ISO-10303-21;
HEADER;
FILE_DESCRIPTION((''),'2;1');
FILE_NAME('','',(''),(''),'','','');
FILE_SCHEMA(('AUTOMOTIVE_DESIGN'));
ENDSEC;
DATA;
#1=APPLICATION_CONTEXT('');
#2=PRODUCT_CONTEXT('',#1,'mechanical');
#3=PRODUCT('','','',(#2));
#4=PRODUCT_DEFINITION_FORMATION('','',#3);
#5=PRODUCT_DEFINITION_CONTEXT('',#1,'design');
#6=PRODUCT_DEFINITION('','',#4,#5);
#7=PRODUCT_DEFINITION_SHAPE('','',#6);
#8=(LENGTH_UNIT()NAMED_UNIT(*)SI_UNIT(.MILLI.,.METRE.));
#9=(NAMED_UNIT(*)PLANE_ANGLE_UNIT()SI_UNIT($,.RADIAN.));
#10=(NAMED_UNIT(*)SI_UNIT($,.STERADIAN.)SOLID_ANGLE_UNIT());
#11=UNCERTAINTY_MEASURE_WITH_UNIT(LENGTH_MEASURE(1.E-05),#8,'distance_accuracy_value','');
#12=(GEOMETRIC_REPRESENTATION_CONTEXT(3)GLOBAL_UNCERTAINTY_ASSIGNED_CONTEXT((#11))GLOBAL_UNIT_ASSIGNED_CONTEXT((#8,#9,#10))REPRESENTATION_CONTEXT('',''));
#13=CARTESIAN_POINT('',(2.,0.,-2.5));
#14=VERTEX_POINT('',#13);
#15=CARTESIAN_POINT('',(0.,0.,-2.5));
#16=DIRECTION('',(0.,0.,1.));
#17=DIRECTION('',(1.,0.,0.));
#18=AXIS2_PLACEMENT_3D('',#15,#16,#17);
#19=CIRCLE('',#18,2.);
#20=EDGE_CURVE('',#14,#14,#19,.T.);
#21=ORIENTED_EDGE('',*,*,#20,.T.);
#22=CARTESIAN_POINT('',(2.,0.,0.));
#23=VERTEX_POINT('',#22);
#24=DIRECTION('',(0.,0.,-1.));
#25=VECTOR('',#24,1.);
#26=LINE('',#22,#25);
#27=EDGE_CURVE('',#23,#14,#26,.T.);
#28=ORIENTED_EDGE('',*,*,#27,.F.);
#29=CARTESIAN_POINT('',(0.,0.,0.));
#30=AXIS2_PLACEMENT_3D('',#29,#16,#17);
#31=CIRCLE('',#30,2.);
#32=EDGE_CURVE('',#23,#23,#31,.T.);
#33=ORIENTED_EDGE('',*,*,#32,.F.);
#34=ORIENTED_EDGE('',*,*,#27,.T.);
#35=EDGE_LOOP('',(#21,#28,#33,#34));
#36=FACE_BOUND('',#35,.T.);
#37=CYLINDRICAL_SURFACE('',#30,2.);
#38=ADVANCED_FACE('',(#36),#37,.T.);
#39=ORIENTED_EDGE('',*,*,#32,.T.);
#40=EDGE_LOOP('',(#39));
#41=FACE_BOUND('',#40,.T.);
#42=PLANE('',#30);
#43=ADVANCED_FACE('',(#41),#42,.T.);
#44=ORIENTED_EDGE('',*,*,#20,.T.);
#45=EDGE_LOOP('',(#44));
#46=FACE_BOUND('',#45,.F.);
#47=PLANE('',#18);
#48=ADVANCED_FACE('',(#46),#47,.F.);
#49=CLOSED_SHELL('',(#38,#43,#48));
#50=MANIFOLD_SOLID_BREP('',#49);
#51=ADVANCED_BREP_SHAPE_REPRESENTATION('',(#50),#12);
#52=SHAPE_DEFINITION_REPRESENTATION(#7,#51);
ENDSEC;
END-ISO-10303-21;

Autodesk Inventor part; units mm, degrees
ref_plane "YZ Plane" through (0, 0, 0) normal (1, 0, 0) x (0, 1, 0)
ref_plane "XZ Plane" through (0, 0, 0) normal (0, 1, 0) x (-1, 0, 0)
ref_plane "XY Plane" through (0, 0, 0) normal (0, 0, 1) x (1, 0, 0)
sketch "Skizze1" plane through (0, 0, 0) normal (0, 0, 1) x (1, 0, 0)
  circle A0 centre (0, 0) radius 2
  dimension "d0" = 4
extrude "Extrusion1" add sketch "Skizze1" against normal blind 2.5
properties part number "vis"
